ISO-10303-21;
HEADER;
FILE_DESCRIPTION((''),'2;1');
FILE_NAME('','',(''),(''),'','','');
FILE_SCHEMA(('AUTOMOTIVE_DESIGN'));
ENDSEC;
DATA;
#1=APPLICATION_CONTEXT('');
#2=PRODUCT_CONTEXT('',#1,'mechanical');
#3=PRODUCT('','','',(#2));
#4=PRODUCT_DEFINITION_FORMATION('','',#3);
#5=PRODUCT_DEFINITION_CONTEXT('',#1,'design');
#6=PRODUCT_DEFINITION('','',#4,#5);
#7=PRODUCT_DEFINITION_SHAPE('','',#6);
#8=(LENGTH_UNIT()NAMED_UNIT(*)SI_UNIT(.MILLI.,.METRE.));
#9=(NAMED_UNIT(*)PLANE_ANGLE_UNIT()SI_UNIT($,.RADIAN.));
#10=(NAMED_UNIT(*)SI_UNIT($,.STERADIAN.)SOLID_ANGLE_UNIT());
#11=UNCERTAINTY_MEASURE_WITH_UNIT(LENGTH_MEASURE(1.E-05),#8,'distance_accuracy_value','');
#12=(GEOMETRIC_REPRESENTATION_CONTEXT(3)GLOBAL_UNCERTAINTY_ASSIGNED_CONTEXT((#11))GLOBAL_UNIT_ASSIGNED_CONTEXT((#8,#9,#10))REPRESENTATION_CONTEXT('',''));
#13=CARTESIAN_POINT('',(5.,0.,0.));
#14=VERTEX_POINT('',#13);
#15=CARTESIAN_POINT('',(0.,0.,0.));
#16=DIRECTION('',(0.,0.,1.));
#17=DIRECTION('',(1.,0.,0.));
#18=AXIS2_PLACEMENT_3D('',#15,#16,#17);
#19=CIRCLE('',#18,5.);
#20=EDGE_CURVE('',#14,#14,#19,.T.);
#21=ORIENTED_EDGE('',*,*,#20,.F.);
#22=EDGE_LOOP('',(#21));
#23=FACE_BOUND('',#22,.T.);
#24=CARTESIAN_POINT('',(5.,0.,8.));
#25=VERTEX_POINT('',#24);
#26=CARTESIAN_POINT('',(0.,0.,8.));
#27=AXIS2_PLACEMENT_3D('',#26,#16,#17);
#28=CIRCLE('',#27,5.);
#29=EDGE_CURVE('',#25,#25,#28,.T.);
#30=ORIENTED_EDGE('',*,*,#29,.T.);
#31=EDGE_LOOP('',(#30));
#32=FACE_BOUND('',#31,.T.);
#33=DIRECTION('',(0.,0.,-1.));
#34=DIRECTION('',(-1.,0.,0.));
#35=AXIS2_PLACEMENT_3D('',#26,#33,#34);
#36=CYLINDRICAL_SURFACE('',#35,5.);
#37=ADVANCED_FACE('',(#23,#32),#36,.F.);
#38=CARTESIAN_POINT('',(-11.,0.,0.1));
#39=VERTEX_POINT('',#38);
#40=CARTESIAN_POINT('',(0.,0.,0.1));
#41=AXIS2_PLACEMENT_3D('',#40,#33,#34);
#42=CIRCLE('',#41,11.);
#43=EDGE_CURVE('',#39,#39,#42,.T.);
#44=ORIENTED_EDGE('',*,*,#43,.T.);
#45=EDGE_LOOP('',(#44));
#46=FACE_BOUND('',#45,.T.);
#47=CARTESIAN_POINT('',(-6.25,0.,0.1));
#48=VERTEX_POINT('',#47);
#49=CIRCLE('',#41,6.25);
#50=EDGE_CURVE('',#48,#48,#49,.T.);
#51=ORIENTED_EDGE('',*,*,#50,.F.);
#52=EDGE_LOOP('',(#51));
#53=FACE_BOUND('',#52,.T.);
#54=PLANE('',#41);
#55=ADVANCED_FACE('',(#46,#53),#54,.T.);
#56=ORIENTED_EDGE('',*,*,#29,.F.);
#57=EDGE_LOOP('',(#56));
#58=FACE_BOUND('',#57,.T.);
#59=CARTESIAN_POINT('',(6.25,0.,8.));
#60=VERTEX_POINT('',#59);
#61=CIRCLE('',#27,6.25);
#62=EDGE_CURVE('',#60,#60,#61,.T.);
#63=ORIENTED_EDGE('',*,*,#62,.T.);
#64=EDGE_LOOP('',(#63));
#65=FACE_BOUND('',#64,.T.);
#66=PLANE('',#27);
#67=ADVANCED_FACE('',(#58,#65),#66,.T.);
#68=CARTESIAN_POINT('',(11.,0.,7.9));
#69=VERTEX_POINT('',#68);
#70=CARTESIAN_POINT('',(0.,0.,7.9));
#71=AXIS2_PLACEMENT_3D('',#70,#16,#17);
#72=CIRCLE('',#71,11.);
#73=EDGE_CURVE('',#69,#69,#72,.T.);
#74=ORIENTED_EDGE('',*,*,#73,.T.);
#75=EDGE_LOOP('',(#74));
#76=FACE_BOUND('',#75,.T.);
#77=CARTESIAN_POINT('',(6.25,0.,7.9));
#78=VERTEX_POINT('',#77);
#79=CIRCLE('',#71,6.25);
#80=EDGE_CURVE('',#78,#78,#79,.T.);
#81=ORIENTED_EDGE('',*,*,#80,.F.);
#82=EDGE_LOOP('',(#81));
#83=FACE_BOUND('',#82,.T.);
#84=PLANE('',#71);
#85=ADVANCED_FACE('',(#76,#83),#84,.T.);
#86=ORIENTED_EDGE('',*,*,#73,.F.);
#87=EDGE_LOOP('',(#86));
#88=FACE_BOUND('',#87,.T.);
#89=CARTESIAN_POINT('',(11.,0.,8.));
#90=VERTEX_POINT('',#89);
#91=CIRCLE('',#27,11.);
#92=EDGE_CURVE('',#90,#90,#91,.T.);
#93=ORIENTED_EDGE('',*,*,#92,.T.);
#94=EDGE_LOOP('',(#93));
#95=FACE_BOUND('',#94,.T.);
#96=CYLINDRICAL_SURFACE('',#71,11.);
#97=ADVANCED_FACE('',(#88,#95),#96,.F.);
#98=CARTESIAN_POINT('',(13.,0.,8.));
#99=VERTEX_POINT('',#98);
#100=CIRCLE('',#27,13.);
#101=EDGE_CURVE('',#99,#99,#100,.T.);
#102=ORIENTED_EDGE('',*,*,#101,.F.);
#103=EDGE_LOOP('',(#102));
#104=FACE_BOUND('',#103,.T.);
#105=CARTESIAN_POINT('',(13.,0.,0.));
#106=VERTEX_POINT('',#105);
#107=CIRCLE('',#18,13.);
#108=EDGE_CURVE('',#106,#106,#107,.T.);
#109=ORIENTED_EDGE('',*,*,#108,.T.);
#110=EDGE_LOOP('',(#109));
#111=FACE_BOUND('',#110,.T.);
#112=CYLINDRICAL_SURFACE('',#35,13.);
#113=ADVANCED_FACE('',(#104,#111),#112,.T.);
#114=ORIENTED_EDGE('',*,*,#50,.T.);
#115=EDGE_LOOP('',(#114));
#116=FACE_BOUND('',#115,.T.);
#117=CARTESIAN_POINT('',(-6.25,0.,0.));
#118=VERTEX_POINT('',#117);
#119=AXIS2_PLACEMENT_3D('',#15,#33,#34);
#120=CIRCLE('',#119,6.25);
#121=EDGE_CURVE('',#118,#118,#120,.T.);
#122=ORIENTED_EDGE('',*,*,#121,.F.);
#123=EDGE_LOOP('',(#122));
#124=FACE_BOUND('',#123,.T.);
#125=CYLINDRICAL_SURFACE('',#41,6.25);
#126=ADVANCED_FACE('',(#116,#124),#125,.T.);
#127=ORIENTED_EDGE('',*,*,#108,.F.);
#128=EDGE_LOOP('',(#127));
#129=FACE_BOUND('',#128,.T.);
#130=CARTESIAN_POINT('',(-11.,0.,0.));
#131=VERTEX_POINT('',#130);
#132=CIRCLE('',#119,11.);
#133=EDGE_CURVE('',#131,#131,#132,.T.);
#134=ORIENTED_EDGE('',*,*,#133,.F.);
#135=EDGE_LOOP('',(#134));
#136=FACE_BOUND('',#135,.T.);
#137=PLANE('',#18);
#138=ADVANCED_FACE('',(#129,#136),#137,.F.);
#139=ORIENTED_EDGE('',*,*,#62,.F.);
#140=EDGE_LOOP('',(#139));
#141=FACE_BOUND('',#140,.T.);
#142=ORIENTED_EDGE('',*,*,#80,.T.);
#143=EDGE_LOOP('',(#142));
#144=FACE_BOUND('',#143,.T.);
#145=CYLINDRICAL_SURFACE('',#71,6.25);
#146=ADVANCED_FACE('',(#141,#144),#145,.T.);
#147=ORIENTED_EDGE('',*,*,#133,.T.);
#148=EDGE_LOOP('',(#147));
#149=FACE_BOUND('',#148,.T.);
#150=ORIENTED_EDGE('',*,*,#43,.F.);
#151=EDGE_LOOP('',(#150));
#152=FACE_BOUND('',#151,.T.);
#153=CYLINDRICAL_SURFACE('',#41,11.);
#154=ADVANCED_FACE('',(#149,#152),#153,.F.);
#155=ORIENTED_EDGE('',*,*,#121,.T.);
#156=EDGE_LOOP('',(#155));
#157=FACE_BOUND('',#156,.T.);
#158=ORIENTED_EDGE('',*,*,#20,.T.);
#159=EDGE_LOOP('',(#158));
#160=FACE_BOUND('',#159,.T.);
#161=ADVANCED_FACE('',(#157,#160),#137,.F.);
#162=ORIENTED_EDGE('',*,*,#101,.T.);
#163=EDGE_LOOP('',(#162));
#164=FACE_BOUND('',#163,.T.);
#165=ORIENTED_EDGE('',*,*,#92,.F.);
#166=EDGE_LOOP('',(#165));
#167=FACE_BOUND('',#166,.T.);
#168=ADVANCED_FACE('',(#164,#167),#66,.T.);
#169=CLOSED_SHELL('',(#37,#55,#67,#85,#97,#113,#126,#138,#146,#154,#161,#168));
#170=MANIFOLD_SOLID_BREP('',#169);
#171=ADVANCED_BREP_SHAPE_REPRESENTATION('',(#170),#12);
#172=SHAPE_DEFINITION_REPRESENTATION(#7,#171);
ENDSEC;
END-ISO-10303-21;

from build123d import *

# Parameters (mm, degrees)
CROQUIS1_R              = 13
CROQUIS1_R_2            = 5
SALIENTE_EXTRUIR1_DEPTH = 8
CROQUIS2_R              = 11
CROQUIS2_R_2            = 6.25
CORTAR_EXTRUIR1_DEPTH   = 0.1
CORTAR_EXTRUIR2_START   = -0.1
CROQUIS3_R              = 11
CROQUIS3_R_2            = 6.25
CORTAR_EXTRUIR2_DEPTH   = 0.1


with BuildPart() as part:
    # Croquis1 → Saliente-Extruir1 (new body)
    with BuildSketch(Plane.XY):
        Circle(CROQUIS1_R)
        Circle(CROQUIS1_R_2, mode=Mode.SUBTRACT)
    extrude(amount=SALIENTE_EXTRUIR1_DEPTH)

    # Croquis2 → Cortar-Extruir1 (cut)
    with BuildSketch(Plane.XY.offset(8)):
        Circle(CROQUIS2_R)
        Circle(CROQUIS2_R_2, mode=Mode.SUBTRACT)
    extrude(amount=-CORTAR_EXTRUIR1_DEPTH, mode=Mode.SUBTRACT)

    # Croquis3 → Cortar-Extruir2 (cut)
    with BuildSketch(Plane(origin=(0, 0, 0), x_dir=(-1, 0, 0), z_dir=(0, 0, -1)).offset(CORTAR_EXTRUIR2_START)):
        with Locations(Location((0, 0, 0), (0, 0, 180))):
            Circle(CROQUIS3_R)
        with Locations(Location((0, 0, 0), (0, 0, 180))):
            Circle(CROQUIS3_R_2, mode=Mode.SUBTRACT)
    extrude(amount=CORTAR_EXTRUIR2_DEPTH, mode=Mode.SUBTRACT)


solid = part.part
